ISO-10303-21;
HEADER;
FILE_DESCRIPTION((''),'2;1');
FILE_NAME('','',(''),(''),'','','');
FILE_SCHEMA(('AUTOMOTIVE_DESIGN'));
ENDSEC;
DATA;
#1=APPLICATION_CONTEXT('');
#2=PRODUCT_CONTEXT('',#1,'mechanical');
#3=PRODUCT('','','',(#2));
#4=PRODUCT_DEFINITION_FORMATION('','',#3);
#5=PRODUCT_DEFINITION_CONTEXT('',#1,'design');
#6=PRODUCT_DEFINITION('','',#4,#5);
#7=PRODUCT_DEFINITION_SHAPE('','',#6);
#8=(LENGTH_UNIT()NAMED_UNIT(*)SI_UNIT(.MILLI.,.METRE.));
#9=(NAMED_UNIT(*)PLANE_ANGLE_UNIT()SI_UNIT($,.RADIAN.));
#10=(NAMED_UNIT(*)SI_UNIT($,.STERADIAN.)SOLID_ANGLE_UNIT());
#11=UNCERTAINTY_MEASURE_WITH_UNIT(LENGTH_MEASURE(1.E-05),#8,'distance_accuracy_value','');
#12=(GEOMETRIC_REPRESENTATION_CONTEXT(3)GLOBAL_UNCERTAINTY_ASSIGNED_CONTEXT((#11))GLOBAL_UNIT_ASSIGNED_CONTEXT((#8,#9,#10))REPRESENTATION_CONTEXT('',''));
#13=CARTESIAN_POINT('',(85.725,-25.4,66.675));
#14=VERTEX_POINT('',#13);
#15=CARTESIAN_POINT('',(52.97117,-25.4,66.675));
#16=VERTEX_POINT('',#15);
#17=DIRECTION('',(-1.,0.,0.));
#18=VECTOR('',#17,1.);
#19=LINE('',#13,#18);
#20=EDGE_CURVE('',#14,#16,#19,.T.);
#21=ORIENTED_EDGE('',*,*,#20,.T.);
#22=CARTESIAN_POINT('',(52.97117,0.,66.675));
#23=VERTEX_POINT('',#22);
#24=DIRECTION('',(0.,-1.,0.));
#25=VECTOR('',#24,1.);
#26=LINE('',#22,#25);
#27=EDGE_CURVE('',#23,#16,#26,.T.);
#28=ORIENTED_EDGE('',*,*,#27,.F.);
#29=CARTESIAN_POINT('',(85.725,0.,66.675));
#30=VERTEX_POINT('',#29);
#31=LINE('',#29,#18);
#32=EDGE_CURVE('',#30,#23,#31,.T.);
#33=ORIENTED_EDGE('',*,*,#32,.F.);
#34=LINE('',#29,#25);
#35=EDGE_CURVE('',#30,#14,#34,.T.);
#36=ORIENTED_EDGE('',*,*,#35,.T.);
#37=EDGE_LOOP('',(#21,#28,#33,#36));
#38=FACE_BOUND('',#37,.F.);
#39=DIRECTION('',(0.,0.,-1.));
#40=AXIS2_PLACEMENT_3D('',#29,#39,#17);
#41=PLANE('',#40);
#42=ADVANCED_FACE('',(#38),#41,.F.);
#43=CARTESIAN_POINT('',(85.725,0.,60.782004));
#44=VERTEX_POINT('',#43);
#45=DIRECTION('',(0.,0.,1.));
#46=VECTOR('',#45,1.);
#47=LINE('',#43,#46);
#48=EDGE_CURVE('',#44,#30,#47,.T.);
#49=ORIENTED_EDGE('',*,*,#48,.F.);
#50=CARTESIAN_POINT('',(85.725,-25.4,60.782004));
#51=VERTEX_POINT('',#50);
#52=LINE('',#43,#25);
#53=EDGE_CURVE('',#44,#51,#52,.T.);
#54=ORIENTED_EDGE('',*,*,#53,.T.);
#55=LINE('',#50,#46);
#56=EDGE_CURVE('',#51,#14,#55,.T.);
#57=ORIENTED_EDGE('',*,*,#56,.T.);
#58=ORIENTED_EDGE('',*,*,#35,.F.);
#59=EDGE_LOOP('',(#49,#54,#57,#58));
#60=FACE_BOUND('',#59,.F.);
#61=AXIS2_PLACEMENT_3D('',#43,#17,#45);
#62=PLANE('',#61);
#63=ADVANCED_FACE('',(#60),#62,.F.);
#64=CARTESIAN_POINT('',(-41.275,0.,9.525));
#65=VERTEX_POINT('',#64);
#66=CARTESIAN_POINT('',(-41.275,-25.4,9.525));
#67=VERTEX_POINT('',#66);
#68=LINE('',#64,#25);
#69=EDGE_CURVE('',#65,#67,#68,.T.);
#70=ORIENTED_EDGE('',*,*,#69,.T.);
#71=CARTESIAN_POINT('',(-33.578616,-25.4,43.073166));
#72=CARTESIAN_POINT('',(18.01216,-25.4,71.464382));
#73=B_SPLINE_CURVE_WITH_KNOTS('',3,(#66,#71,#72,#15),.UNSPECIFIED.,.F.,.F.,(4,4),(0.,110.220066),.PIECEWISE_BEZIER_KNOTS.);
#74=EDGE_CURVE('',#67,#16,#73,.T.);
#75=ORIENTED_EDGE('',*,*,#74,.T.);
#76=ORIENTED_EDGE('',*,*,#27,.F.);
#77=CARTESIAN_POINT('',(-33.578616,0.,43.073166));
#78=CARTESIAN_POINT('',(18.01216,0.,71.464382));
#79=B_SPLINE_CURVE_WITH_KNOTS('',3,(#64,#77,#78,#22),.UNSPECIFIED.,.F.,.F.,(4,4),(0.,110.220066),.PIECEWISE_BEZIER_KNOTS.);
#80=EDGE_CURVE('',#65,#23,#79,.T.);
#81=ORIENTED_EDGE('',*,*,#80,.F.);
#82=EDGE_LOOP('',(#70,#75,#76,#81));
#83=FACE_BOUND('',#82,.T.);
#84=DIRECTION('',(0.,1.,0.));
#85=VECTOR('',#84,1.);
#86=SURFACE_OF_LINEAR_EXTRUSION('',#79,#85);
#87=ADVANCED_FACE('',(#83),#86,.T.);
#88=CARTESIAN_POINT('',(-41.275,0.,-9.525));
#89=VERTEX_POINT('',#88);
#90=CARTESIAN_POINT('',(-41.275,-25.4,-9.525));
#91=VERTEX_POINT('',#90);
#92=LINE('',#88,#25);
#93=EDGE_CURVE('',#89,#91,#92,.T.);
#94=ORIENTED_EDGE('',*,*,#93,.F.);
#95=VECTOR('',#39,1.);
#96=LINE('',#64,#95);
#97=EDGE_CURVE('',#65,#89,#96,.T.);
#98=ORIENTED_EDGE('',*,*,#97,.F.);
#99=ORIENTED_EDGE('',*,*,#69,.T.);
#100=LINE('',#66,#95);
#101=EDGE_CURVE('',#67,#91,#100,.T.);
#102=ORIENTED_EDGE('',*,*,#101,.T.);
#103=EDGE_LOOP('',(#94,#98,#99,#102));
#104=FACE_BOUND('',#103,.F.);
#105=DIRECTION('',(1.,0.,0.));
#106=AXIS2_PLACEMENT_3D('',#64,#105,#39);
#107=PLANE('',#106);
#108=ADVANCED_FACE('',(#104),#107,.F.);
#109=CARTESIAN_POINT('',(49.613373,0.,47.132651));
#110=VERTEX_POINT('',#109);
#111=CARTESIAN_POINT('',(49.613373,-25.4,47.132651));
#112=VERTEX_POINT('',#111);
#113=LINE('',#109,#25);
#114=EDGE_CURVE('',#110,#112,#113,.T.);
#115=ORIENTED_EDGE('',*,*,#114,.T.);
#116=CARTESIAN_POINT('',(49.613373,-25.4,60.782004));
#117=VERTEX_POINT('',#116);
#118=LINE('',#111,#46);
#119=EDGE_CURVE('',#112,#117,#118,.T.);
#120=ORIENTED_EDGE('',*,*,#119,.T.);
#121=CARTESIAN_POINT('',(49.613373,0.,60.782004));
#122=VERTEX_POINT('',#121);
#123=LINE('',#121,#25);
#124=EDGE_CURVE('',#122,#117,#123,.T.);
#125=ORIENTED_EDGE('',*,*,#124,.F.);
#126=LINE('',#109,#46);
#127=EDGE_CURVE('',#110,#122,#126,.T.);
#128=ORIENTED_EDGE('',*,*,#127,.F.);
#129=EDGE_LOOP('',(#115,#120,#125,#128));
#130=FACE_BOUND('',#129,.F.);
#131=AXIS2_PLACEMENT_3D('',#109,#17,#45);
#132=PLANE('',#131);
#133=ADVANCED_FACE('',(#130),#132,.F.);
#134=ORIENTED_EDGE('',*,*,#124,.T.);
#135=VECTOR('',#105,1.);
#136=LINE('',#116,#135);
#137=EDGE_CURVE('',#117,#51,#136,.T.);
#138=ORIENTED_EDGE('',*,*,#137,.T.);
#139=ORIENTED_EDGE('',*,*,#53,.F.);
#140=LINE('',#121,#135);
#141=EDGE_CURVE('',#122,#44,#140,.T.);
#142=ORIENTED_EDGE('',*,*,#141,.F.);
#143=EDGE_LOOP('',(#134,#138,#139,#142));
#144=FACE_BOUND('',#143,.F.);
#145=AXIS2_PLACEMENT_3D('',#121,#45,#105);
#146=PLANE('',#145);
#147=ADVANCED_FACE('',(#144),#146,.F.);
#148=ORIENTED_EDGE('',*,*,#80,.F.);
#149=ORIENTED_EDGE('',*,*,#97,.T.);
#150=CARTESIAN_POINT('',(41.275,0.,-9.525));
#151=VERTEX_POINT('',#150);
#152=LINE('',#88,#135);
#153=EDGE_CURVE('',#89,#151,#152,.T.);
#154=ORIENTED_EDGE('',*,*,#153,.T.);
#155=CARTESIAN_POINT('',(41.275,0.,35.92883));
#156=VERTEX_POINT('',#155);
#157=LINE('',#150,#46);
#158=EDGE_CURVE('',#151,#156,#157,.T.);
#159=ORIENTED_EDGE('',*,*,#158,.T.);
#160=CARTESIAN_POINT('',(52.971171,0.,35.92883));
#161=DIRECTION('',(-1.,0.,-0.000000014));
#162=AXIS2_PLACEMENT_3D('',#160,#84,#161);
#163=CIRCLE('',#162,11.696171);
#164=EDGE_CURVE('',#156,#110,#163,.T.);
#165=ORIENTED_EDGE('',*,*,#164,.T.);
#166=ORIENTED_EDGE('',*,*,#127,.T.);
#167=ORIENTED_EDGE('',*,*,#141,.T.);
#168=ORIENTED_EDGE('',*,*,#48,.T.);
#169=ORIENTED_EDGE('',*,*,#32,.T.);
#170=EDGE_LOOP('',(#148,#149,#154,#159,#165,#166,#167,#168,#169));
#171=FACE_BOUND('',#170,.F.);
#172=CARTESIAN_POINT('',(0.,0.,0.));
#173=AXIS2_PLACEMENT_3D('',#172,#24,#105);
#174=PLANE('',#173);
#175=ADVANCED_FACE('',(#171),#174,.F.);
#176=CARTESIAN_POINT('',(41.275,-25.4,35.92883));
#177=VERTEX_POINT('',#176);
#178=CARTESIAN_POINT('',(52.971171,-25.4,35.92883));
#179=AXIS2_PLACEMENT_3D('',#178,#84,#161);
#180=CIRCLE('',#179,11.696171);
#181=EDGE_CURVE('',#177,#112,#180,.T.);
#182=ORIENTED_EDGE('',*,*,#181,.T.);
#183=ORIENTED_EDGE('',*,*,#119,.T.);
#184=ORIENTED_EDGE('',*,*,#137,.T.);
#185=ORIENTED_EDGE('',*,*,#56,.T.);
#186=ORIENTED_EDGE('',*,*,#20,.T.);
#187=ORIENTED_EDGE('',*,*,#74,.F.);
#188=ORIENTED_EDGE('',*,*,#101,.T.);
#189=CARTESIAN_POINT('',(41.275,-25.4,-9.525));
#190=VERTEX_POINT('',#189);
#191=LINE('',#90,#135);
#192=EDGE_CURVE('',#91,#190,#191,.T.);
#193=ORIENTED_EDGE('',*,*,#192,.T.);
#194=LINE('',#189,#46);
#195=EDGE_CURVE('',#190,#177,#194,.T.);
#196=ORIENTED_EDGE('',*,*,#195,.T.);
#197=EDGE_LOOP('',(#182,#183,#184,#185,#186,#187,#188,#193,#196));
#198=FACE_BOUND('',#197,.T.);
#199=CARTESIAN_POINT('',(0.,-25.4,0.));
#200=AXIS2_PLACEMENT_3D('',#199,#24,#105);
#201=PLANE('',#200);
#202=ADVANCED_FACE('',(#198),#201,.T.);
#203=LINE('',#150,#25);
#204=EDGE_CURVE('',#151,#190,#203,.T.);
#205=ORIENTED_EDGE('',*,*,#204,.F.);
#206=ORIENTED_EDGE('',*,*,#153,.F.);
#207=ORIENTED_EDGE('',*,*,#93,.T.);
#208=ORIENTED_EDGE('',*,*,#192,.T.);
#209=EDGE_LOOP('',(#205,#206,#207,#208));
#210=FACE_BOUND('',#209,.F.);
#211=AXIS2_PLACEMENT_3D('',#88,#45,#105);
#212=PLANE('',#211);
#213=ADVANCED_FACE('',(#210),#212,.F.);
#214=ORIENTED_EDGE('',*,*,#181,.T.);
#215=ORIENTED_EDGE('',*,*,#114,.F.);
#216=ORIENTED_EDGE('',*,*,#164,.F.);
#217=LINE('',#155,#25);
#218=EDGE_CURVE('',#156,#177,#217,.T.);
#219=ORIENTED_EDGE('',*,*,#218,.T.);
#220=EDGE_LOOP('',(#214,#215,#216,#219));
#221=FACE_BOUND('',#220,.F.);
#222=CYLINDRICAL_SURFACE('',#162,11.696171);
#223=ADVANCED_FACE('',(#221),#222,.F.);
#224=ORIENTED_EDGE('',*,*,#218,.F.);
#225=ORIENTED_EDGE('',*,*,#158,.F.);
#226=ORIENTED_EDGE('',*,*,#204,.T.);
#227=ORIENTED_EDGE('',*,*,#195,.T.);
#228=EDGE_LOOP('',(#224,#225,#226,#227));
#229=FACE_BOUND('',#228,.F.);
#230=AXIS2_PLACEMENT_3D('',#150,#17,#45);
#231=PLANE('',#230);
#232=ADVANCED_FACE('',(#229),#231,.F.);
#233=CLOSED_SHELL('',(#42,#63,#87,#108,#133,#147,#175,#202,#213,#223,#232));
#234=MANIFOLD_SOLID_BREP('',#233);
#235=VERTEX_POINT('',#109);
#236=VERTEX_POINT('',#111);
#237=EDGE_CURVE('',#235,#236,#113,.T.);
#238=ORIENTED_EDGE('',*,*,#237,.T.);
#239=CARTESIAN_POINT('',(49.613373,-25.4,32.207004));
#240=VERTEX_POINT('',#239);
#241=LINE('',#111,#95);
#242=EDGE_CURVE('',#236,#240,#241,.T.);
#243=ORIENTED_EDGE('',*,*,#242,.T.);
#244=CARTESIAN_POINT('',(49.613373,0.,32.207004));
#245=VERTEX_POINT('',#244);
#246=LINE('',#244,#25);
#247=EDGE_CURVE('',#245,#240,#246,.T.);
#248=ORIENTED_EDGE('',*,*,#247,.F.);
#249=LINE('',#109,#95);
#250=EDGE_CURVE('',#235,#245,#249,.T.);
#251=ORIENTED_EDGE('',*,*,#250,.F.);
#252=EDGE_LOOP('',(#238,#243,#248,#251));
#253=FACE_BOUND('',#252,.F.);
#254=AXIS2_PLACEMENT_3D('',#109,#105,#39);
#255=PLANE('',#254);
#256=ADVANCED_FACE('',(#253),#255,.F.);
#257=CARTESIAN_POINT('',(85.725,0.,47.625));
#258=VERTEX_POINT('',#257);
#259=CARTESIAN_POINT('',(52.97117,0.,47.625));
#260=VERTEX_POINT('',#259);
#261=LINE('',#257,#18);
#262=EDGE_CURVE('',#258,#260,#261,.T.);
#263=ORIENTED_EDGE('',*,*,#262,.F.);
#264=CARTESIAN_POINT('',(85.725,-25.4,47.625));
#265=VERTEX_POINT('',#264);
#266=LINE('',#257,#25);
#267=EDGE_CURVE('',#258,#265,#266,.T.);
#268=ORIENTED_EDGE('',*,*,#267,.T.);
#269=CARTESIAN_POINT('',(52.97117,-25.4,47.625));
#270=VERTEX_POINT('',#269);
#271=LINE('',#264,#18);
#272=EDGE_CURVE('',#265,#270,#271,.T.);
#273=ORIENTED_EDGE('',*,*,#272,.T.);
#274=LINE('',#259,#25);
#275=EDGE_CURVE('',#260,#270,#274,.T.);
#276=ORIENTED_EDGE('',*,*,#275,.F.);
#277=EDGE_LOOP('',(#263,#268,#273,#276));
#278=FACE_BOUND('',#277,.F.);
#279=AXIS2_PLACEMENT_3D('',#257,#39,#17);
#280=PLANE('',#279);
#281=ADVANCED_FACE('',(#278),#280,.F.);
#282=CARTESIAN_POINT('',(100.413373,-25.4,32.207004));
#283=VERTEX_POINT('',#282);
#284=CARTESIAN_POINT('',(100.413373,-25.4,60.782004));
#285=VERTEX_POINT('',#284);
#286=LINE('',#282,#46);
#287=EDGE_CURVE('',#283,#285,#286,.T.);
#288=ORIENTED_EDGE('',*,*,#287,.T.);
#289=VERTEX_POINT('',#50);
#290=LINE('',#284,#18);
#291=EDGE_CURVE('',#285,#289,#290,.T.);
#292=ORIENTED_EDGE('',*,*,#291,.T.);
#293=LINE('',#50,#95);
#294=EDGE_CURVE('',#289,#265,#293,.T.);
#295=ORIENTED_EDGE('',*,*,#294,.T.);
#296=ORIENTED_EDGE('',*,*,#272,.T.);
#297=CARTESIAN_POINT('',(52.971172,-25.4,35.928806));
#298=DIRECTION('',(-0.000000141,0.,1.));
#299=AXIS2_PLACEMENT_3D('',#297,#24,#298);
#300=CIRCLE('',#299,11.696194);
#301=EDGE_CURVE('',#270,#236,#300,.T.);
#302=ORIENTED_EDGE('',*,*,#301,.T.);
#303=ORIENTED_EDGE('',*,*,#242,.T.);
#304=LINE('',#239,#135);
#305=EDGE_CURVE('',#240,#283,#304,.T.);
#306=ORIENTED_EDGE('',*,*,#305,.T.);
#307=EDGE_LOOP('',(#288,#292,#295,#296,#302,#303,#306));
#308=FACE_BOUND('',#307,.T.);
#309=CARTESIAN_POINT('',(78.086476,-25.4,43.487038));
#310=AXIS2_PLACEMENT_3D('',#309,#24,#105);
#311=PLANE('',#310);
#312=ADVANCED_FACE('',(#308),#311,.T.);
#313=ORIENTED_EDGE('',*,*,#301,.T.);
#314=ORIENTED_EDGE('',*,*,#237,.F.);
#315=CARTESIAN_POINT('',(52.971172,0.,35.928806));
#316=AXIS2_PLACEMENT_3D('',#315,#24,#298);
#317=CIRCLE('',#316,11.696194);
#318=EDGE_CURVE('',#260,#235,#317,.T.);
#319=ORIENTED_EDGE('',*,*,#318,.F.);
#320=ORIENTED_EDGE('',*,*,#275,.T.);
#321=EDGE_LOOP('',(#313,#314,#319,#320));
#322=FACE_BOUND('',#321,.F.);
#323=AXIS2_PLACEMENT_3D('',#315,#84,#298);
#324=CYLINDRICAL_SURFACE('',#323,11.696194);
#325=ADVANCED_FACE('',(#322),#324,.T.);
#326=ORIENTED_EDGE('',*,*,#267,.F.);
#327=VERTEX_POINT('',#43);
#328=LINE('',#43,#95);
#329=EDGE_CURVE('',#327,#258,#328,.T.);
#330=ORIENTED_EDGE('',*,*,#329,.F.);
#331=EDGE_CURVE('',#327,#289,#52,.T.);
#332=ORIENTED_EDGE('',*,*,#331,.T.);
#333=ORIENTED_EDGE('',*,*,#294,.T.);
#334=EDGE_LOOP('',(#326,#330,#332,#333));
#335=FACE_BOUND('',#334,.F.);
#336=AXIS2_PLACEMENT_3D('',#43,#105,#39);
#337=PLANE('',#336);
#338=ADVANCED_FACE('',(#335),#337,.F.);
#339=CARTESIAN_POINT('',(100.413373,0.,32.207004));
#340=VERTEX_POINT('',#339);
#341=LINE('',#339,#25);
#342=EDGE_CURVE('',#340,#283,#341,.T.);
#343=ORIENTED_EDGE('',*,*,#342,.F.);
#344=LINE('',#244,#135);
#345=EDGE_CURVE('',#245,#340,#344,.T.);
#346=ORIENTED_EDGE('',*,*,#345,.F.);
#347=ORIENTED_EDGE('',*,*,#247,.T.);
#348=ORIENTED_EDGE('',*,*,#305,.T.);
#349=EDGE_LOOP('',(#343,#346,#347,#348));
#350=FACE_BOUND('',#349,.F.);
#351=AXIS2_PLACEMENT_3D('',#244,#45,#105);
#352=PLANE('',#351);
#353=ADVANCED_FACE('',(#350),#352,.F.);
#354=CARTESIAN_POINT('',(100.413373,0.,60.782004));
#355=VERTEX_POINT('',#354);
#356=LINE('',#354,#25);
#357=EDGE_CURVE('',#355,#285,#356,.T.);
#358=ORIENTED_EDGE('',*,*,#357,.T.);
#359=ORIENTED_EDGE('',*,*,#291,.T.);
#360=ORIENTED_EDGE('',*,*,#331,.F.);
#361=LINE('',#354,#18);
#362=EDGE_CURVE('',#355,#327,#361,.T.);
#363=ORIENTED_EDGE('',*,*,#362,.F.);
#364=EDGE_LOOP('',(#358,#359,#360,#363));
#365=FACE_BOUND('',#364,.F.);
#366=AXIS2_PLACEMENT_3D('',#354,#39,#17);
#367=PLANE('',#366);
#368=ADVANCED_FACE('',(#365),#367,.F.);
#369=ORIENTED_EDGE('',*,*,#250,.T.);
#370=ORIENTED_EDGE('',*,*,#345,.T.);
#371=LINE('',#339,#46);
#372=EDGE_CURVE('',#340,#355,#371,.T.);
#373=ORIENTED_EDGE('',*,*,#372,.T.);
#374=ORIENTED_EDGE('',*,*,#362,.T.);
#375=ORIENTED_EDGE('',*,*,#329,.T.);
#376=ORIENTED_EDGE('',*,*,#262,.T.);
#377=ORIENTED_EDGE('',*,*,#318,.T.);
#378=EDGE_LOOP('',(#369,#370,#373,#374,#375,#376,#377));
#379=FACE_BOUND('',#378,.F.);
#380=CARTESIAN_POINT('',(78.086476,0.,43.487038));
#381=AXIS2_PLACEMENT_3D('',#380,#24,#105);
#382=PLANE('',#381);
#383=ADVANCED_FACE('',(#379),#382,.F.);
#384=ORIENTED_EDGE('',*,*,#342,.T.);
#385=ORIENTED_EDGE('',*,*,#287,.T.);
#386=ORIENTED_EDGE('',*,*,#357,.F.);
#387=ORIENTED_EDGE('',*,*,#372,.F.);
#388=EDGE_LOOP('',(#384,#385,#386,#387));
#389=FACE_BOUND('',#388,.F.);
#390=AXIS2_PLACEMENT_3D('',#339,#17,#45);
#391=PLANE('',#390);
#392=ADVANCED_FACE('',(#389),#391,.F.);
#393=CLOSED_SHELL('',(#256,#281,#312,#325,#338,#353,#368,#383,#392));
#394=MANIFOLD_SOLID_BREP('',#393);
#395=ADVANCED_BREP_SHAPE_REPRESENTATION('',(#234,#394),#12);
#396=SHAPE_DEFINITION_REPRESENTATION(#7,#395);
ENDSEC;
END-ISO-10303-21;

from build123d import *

# Parameters (mm, degrees)
F1_DEPTH = 25.4


with BuildPart() as f1:
    # F0 (on Front) → F1 (new body)
    with BuildSketch(Plane.XZ):
        Polygon((41.275, -9.525), (41.275, 9.525), (22.225, 9.525), (-41.275, 9.525), (-41.275, -9.525), align=None)
        with BuildLine():
            Line((-41.275, 9.525), (22.225, 9.525))
            Line((22.225, 9.525), (22.225, 35.92883))
            ThreePointArc((22.225, 35.92883), (31.230345, 57.669655), (52.97117, 66.675))
            add(Edge.make_bspline(
                [(-41.275, 9.525), (-33.578616, 43.073166), (18.01216, 71.464382), (52.97117, 66.675)],
                knots=[0, 0, 0, 0, 110.220066, 110.220066, 110.220066, 110.220066], degree=3))
        make_face()
        with BuildLine():
            Line((22.225, 9.525), (41.275, 9.525))
            Line((41.275, 9.525), (41.275, 35.92883))
            ThreePointArc((41.275, 35.92883), (43.588373, 42.911918), (49.613373, 47.132651))
            Line((49.613373, 47.132651), (49.613373, 60.782004))
            Line((49.613373, 60.782004), (85.725, 60.782004))
            Line((85.725, 60.782004), (85.725, 66.675))
            Line((85.725, 66.675), (52.97117, 66.675))
            ThreePointArc((52.97117, 66.675), (31.230345, 57.669655), (22.225, 35.92883))
            Line((22.225, 35.92883), (22.225, 9.525))
        make_face()
        with BuildLine():
            ThreePointArc((52.97117, 47.625), (51.274319, 47.501258), (49.613373, 47.132651))
            Line((49.613373, 47.132651), (49.613373, 32.207004))
            Line((49.613373, 32.207004), (100.413373, 32.207004))
            Line((100.413373, 32.207004), (100.413373, 60.782004))
            Line((100.413373, 60.782004), (85.725, 60.782004))
            Line((85.725, 60.782004), (85.725, 47.625))
            Line((85.725, 47.625), (52.97117, 47.625))
        make_face()
    extrude(amount=F1_DEPTH)


solid = f1.part
